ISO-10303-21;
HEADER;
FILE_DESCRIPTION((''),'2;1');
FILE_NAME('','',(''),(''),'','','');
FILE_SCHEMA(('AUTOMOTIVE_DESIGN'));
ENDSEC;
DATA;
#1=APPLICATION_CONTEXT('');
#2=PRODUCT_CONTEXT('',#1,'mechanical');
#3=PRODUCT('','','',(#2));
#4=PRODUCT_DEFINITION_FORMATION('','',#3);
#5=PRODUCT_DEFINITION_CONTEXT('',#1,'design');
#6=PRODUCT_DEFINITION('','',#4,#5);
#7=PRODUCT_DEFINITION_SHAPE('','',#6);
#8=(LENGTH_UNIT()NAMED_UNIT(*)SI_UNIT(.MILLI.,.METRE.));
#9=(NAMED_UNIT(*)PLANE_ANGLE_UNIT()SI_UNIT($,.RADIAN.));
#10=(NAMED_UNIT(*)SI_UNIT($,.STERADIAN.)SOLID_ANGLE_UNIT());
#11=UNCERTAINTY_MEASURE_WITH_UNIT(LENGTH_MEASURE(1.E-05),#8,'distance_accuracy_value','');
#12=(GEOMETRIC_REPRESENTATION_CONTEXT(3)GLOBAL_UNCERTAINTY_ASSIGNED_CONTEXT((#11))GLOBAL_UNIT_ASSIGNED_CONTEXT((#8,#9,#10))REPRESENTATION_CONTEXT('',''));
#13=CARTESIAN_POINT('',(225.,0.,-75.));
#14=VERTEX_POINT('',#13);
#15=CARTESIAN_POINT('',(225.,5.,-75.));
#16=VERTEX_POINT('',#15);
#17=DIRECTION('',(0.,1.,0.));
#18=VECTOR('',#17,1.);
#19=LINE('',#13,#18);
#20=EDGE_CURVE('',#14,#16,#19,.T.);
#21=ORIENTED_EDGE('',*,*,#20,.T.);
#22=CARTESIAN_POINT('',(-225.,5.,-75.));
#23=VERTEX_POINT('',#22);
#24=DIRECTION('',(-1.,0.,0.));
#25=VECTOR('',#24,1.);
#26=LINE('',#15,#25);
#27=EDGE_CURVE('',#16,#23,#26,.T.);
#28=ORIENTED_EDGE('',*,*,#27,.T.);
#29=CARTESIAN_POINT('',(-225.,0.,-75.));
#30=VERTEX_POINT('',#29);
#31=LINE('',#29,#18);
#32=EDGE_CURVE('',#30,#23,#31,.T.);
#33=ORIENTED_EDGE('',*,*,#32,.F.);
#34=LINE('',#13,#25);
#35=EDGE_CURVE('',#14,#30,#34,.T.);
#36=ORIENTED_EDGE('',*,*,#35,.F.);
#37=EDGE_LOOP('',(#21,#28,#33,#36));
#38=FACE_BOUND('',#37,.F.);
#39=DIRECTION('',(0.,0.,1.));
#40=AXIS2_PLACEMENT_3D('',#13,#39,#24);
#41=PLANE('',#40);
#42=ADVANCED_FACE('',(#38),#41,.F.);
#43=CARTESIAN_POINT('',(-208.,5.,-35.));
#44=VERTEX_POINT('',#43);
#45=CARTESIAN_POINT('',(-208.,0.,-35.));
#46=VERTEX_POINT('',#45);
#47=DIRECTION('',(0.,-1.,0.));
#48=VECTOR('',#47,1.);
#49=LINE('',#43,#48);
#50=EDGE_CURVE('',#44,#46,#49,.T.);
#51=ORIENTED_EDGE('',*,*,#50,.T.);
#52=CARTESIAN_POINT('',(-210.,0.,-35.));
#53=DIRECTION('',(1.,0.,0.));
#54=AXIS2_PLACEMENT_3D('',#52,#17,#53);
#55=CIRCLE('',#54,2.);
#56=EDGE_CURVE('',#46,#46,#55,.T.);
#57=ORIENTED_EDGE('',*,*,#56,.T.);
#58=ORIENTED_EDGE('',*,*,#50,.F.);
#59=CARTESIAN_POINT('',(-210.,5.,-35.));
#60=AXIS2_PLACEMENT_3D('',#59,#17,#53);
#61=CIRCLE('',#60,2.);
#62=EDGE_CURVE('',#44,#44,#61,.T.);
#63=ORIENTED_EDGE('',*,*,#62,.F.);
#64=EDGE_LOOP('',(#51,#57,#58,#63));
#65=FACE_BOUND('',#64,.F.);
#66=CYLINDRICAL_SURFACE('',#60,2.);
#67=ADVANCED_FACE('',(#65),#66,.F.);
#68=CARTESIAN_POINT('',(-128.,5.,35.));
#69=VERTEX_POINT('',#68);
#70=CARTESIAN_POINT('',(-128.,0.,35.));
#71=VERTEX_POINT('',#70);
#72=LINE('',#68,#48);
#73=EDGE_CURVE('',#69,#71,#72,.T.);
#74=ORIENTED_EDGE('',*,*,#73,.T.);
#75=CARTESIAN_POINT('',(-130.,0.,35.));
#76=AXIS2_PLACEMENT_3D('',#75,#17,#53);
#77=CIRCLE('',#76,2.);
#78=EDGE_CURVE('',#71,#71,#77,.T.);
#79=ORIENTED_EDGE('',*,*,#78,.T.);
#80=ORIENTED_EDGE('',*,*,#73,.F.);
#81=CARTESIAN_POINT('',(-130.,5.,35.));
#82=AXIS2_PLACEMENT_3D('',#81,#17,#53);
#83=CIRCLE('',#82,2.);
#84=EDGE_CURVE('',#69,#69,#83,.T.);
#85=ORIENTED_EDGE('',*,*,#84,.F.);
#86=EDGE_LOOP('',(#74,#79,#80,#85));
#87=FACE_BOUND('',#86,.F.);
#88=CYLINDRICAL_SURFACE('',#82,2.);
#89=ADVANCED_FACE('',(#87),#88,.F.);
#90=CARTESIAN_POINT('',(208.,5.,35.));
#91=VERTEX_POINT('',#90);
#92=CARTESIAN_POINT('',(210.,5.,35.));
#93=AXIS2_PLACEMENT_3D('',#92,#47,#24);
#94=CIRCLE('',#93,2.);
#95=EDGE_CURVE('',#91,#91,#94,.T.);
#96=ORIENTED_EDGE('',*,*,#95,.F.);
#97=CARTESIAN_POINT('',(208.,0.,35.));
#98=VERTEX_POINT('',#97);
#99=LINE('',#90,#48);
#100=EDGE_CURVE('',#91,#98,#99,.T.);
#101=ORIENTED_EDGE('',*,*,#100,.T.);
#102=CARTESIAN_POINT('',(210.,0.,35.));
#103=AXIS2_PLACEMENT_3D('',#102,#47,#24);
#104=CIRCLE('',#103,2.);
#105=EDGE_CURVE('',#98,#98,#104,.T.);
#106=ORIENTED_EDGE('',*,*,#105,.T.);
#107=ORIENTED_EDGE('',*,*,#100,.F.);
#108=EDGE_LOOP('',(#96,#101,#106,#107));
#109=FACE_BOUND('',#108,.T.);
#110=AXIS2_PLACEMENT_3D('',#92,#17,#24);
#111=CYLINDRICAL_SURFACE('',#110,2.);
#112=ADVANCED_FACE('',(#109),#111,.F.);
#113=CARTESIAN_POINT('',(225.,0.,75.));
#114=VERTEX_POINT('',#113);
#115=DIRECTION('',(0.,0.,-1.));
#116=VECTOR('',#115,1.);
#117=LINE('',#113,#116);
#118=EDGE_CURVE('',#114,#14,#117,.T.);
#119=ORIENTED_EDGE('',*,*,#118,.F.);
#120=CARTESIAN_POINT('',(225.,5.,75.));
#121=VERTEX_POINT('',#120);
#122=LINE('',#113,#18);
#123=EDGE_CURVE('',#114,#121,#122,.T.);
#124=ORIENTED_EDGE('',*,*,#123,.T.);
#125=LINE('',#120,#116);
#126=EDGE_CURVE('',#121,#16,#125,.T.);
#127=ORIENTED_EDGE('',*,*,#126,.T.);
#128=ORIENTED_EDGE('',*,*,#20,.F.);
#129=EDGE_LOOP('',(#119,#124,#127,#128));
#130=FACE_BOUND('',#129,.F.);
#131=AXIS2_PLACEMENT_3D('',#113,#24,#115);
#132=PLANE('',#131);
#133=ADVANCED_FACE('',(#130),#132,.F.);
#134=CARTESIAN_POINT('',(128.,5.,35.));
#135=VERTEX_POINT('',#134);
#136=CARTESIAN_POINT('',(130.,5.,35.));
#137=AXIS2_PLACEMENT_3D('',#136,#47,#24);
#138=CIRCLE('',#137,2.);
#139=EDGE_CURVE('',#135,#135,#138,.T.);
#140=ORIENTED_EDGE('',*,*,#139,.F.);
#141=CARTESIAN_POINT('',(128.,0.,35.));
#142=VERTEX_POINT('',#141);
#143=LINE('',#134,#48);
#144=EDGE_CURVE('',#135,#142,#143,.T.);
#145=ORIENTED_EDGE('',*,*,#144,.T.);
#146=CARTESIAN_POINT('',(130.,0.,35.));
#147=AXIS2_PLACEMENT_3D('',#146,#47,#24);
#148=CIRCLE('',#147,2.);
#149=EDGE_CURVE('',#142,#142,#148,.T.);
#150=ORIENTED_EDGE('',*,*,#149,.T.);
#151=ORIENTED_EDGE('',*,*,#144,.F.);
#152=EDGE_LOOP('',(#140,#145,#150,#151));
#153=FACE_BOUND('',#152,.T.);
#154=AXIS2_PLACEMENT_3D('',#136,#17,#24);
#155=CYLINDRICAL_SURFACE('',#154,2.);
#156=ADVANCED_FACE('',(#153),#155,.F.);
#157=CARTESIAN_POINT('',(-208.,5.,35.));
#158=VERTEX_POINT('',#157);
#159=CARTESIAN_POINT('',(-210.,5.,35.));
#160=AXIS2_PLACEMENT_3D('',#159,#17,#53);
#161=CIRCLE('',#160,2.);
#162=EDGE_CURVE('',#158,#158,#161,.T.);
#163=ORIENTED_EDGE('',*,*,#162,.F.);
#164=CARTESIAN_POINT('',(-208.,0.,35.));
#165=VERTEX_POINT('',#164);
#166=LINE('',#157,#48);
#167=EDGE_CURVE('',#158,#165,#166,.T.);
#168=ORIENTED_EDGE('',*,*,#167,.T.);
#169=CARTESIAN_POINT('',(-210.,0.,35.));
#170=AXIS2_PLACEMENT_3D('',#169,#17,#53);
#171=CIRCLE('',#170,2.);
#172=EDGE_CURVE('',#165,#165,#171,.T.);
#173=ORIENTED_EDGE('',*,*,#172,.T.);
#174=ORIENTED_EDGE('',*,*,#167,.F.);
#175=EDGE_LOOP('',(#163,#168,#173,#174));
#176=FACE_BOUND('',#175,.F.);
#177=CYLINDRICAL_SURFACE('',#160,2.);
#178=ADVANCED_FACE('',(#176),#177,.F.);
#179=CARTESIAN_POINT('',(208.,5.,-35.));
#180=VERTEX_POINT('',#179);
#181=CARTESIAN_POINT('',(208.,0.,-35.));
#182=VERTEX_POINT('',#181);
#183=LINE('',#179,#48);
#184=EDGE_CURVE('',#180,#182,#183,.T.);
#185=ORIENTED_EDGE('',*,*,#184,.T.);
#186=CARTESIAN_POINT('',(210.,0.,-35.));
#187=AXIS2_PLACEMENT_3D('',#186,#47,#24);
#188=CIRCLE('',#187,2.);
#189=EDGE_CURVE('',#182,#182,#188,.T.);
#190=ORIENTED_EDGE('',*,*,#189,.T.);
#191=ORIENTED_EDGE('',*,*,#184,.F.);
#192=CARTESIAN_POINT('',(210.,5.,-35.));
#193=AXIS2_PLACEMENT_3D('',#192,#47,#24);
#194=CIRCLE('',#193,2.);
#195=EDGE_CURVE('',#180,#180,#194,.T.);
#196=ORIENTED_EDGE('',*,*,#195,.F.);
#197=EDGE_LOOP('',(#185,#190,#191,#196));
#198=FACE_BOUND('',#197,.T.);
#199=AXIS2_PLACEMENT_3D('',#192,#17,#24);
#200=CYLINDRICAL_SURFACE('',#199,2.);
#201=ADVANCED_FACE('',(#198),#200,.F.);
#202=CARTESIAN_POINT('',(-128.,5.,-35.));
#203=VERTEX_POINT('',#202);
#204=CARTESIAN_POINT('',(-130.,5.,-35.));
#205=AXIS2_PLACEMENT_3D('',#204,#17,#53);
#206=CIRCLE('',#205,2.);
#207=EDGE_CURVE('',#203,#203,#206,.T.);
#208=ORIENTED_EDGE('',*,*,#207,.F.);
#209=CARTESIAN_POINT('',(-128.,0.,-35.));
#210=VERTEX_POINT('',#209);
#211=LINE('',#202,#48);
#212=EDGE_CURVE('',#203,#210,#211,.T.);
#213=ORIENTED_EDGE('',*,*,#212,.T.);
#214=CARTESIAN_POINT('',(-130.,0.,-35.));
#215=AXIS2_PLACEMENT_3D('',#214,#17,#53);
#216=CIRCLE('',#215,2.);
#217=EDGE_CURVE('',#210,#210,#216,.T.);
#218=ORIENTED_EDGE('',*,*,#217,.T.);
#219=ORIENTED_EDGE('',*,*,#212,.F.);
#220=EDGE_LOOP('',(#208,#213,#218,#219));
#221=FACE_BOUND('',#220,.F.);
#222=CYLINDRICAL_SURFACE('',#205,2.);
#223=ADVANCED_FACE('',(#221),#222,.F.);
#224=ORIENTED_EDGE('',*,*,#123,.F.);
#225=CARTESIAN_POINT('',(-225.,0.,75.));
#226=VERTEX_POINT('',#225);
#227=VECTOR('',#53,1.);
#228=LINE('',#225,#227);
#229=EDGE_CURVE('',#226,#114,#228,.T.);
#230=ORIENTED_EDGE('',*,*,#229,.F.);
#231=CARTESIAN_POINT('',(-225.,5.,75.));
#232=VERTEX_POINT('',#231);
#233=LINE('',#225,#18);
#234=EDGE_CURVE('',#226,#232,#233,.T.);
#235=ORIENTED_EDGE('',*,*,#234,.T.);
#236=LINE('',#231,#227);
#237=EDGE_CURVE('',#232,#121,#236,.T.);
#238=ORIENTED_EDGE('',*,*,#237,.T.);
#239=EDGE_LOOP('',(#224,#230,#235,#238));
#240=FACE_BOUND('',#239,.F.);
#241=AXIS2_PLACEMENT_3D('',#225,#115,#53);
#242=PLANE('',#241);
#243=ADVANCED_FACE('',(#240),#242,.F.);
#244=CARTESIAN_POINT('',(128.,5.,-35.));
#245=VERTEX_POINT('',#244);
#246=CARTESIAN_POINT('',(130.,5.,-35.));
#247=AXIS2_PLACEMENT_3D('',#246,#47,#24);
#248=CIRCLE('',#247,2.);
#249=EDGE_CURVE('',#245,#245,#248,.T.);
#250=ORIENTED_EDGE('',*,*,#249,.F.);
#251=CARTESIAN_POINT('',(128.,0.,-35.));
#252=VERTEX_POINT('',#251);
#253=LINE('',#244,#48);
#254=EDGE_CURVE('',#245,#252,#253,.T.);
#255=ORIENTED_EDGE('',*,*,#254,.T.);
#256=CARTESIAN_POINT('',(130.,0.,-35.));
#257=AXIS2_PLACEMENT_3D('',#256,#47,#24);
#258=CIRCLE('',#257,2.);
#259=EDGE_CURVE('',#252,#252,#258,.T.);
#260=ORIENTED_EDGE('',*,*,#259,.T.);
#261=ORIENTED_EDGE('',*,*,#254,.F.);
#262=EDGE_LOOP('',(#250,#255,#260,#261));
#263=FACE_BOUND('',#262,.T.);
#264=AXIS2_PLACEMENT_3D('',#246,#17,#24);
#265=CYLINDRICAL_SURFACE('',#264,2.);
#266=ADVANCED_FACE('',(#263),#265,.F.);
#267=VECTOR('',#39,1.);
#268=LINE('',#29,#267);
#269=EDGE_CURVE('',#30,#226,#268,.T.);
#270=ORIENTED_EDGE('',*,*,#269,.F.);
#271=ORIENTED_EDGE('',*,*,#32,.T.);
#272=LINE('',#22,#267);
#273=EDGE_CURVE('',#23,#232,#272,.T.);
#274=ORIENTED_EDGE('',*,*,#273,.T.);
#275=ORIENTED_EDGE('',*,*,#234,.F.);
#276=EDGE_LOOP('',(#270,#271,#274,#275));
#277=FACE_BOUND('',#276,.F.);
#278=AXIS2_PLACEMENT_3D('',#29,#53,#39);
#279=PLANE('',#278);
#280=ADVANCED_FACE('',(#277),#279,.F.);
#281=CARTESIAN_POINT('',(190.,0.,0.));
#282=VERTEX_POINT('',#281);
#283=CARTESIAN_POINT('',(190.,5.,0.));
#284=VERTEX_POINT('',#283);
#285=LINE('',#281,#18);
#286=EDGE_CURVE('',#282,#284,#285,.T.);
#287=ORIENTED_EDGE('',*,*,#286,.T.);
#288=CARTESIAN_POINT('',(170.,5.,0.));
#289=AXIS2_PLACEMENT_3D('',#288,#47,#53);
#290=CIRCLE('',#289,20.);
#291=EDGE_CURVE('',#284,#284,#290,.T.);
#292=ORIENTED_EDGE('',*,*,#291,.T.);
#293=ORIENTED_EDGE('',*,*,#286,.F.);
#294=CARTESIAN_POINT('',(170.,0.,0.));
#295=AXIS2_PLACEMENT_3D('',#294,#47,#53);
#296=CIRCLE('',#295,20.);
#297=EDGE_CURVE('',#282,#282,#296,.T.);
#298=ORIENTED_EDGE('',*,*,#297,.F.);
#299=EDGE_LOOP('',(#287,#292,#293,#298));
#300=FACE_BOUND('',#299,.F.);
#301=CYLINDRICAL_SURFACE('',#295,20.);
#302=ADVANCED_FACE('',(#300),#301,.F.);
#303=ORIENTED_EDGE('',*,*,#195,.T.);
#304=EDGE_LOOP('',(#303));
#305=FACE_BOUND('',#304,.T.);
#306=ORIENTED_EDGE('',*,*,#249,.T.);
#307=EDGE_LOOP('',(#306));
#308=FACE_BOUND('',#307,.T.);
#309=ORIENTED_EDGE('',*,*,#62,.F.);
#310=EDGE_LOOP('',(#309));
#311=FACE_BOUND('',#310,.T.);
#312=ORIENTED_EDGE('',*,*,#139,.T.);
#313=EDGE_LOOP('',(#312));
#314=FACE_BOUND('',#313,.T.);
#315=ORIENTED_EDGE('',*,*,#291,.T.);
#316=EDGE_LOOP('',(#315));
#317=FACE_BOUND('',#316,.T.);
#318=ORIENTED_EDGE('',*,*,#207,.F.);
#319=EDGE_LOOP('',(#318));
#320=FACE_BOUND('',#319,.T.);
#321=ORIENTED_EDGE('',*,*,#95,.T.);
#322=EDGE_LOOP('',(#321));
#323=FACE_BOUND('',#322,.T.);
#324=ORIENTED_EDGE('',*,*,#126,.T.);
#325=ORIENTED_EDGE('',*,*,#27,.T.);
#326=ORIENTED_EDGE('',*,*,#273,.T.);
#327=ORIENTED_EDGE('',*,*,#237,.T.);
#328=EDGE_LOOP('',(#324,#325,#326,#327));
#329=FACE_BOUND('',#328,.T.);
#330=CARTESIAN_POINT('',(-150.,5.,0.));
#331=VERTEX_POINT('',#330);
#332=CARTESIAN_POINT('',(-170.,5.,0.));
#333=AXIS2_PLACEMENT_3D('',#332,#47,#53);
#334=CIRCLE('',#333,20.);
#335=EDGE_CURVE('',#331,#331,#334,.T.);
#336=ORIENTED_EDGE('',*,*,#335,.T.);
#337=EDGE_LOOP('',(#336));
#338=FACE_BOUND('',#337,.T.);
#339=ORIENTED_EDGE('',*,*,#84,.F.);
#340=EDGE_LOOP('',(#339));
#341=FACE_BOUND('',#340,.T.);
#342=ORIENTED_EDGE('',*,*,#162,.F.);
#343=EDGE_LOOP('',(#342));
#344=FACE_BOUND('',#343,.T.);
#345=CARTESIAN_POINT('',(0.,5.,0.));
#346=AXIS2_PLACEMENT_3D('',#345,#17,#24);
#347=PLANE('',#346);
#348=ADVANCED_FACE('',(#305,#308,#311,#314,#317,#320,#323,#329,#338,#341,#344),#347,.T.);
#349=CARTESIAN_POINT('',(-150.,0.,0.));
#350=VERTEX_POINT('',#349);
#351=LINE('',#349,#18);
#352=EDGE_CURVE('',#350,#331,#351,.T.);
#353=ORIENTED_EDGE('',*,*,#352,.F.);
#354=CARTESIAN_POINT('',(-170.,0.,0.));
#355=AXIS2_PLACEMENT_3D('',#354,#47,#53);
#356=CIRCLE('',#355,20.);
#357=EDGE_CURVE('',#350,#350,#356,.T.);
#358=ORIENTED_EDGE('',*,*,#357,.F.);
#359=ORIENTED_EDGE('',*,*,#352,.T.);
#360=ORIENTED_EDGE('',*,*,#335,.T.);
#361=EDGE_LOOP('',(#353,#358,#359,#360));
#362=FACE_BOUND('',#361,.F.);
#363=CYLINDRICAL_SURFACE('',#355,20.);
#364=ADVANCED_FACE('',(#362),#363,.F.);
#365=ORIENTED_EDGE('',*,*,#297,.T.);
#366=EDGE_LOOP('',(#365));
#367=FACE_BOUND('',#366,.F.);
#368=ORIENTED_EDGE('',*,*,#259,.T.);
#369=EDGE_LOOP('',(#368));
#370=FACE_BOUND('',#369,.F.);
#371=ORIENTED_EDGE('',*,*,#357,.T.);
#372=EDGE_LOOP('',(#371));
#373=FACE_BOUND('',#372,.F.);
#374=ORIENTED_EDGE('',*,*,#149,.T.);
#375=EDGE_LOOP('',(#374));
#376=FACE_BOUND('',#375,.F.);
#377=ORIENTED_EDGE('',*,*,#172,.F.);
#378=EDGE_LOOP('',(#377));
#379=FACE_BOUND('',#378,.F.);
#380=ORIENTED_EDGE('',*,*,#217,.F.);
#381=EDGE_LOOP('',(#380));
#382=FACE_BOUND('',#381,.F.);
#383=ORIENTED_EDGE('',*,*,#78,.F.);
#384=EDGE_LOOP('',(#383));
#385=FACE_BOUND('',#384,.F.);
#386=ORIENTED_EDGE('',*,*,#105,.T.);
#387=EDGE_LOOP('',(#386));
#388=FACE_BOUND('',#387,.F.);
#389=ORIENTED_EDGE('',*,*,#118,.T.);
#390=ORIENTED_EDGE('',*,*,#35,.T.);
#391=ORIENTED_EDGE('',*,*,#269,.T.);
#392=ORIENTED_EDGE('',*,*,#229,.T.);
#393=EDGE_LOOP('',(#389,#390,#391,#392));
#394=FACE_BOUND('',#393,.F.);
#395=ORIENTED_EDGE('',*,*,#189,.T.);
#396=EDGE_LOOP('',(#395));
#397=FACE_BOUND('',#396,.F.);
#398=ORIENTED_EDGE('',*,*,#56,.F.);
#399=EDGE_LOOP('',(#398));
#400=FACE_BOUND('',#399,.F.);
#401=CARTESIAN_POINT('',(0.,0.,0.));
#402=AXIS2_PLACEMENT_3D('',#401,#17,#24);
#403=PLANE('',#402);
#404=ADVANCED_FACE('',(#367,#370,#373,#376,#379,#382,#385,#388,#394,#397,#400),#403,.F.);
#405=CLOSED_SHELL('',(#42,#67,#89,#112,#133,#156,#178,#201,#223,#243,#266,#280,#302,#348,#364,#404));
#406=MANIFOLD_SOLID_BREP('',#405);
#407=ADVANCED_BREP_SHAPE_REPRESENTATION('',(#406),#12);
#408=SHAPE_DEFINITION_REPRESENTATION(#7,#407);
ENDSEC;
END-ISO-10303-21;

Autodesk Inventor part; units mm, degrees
ref_plane "YZ Plane" through (0, 0, 0) normal (1, 0, 0) x (0, 1, 0)
ref_plane "XZ Plane" through (0, 0, 0) normal (0, 1, 0) x (-1, 0, 0)
ref_plane "XY Plane" through (0, 0, 0) normal (0, 0, 1) x (1, 0, 0)
sketch "Sketch1" plane through (0, 0, 0) normal (0, 1, 0) x (-1, 0, 0)
  line L0 (225, 75) -> (-225, 75)
  line L1 (-225, 75) -> (-225, -75)
  line L2 (-225, -75) -> (225, -75)
  line L3 (225, -75) -> (225, 75)
  line L4 (225, 75) -> (-225, -75) construction
  line L5 (-225, 75) -> (225, -75) construction
  point P0 (0, 0)
  dimension "d0" = 450
  dimension "d1" = 150
extrude "Extrusion1" add sketch "Sketch1" along normal blind 5
sketch "Sketch2" plane through (0, 5, 0) normal (0, 1, 0) x (1, 0, 0)
  circle A0 centre (-210, -35) radius 2.05 projected
  circle A1 centre (-130, 35) radius 2.05 projected
  circle A2 centre (-130, -35) radius 2.05 projected
  circle A3 centre (-210, 35) radius 2.05 projected
  arc A4 (-190.5, 40) -> (-194.5, 44.899) centre (-195.5, 40) ccw projected
  line L0 (-190.5, 40) -> (-190.5, -20) projected
  line L1 (-190.5, -20) -> (-149.5, -20) projected
  line L2 (-149.5, -20) -> (-149.5, 57) projected
  line L3 (-180, 57) -> (-180, 75) projected
  line L4 (-180, 75) -> (-120, 75) projected
  line L5 (-120, 75) -> (-120, -75) projected
  line L6 (-120, -75) -> (-220, -75) projected
  line L7 (-220, -75) -> (-220, 75) projected
  line L8 (-220, 75) -> (-198.5, 75) projected
  line L9 (-198.5, 75) -> (-198.5, 49.798) projected
  arc A5 (-198.5, 49.798) -> (-194.5, 44.899) centre (-193.5, 49.798) ccw projected
  circle A6 centre (-210, 35) radius 2
  circle A7 centre (-210, -35) radius 2
  circle A8 centre (-130, -35) radius 2
  circle A9 centre (-130, 35) radius 2
  line L10 (-149.5, 57) -> (-180, 57) projected
  point P0 (0, 0)
  dimension "d4" = 4
  dimension "d5" = 4
  dimension "d6" = 4
  dimension "d7" = 4
extrude "Extrusion2" cut sketch "Sketch2" against normal blind 5 contours A6 | A7 | A8 | A9
mirror "Mirror1" about plane through (0, 0, 0) normal (1, 0, 0) of "Extrusion2"
sketch "Sketch4" plane through (0, 0, 0) normal (0, -1, 0) x (1, 0, 0)
  line L0 (62, 45) -> (62, 5) projected
  circle A0 centre (210, -35) radius 2 projected
  circle A1 centre (130, -35) radius 2 projected
  circle A2 centre (210, 35) radius 2 projected
  circle A3 centre (130, 35) radius 2 projected
  circle A4 centre (-130, 35) radius 2 projected
  circle A5 centre (-210, 35) radius 2 projected
  circle A6 centre (-130, -35) radius 2 projected
  circle A7 centre (-210, -35) radius 2 projected
  line L1 (225, 75) -> (225, -75) projected
  line L2 (-225, 75) -> (225, 75) projected
  line L3 (-225, -75) -> (-225, 75) projected
  line L4 (225, -75) -> (-225, -75) projected
  circle A8 centre (-170, 0) radius 20
  circle A9 centre (170, 0) radius 20
  point P0 (0, 0)
  dimension "d16" = 40
  dimension "d17" = 40
extrude "Extrusion4" cut sketch "Sketch4" against normal blind 5 contours A8 | A9
properties part number "acrylic_back" material "ABS Plastic"
